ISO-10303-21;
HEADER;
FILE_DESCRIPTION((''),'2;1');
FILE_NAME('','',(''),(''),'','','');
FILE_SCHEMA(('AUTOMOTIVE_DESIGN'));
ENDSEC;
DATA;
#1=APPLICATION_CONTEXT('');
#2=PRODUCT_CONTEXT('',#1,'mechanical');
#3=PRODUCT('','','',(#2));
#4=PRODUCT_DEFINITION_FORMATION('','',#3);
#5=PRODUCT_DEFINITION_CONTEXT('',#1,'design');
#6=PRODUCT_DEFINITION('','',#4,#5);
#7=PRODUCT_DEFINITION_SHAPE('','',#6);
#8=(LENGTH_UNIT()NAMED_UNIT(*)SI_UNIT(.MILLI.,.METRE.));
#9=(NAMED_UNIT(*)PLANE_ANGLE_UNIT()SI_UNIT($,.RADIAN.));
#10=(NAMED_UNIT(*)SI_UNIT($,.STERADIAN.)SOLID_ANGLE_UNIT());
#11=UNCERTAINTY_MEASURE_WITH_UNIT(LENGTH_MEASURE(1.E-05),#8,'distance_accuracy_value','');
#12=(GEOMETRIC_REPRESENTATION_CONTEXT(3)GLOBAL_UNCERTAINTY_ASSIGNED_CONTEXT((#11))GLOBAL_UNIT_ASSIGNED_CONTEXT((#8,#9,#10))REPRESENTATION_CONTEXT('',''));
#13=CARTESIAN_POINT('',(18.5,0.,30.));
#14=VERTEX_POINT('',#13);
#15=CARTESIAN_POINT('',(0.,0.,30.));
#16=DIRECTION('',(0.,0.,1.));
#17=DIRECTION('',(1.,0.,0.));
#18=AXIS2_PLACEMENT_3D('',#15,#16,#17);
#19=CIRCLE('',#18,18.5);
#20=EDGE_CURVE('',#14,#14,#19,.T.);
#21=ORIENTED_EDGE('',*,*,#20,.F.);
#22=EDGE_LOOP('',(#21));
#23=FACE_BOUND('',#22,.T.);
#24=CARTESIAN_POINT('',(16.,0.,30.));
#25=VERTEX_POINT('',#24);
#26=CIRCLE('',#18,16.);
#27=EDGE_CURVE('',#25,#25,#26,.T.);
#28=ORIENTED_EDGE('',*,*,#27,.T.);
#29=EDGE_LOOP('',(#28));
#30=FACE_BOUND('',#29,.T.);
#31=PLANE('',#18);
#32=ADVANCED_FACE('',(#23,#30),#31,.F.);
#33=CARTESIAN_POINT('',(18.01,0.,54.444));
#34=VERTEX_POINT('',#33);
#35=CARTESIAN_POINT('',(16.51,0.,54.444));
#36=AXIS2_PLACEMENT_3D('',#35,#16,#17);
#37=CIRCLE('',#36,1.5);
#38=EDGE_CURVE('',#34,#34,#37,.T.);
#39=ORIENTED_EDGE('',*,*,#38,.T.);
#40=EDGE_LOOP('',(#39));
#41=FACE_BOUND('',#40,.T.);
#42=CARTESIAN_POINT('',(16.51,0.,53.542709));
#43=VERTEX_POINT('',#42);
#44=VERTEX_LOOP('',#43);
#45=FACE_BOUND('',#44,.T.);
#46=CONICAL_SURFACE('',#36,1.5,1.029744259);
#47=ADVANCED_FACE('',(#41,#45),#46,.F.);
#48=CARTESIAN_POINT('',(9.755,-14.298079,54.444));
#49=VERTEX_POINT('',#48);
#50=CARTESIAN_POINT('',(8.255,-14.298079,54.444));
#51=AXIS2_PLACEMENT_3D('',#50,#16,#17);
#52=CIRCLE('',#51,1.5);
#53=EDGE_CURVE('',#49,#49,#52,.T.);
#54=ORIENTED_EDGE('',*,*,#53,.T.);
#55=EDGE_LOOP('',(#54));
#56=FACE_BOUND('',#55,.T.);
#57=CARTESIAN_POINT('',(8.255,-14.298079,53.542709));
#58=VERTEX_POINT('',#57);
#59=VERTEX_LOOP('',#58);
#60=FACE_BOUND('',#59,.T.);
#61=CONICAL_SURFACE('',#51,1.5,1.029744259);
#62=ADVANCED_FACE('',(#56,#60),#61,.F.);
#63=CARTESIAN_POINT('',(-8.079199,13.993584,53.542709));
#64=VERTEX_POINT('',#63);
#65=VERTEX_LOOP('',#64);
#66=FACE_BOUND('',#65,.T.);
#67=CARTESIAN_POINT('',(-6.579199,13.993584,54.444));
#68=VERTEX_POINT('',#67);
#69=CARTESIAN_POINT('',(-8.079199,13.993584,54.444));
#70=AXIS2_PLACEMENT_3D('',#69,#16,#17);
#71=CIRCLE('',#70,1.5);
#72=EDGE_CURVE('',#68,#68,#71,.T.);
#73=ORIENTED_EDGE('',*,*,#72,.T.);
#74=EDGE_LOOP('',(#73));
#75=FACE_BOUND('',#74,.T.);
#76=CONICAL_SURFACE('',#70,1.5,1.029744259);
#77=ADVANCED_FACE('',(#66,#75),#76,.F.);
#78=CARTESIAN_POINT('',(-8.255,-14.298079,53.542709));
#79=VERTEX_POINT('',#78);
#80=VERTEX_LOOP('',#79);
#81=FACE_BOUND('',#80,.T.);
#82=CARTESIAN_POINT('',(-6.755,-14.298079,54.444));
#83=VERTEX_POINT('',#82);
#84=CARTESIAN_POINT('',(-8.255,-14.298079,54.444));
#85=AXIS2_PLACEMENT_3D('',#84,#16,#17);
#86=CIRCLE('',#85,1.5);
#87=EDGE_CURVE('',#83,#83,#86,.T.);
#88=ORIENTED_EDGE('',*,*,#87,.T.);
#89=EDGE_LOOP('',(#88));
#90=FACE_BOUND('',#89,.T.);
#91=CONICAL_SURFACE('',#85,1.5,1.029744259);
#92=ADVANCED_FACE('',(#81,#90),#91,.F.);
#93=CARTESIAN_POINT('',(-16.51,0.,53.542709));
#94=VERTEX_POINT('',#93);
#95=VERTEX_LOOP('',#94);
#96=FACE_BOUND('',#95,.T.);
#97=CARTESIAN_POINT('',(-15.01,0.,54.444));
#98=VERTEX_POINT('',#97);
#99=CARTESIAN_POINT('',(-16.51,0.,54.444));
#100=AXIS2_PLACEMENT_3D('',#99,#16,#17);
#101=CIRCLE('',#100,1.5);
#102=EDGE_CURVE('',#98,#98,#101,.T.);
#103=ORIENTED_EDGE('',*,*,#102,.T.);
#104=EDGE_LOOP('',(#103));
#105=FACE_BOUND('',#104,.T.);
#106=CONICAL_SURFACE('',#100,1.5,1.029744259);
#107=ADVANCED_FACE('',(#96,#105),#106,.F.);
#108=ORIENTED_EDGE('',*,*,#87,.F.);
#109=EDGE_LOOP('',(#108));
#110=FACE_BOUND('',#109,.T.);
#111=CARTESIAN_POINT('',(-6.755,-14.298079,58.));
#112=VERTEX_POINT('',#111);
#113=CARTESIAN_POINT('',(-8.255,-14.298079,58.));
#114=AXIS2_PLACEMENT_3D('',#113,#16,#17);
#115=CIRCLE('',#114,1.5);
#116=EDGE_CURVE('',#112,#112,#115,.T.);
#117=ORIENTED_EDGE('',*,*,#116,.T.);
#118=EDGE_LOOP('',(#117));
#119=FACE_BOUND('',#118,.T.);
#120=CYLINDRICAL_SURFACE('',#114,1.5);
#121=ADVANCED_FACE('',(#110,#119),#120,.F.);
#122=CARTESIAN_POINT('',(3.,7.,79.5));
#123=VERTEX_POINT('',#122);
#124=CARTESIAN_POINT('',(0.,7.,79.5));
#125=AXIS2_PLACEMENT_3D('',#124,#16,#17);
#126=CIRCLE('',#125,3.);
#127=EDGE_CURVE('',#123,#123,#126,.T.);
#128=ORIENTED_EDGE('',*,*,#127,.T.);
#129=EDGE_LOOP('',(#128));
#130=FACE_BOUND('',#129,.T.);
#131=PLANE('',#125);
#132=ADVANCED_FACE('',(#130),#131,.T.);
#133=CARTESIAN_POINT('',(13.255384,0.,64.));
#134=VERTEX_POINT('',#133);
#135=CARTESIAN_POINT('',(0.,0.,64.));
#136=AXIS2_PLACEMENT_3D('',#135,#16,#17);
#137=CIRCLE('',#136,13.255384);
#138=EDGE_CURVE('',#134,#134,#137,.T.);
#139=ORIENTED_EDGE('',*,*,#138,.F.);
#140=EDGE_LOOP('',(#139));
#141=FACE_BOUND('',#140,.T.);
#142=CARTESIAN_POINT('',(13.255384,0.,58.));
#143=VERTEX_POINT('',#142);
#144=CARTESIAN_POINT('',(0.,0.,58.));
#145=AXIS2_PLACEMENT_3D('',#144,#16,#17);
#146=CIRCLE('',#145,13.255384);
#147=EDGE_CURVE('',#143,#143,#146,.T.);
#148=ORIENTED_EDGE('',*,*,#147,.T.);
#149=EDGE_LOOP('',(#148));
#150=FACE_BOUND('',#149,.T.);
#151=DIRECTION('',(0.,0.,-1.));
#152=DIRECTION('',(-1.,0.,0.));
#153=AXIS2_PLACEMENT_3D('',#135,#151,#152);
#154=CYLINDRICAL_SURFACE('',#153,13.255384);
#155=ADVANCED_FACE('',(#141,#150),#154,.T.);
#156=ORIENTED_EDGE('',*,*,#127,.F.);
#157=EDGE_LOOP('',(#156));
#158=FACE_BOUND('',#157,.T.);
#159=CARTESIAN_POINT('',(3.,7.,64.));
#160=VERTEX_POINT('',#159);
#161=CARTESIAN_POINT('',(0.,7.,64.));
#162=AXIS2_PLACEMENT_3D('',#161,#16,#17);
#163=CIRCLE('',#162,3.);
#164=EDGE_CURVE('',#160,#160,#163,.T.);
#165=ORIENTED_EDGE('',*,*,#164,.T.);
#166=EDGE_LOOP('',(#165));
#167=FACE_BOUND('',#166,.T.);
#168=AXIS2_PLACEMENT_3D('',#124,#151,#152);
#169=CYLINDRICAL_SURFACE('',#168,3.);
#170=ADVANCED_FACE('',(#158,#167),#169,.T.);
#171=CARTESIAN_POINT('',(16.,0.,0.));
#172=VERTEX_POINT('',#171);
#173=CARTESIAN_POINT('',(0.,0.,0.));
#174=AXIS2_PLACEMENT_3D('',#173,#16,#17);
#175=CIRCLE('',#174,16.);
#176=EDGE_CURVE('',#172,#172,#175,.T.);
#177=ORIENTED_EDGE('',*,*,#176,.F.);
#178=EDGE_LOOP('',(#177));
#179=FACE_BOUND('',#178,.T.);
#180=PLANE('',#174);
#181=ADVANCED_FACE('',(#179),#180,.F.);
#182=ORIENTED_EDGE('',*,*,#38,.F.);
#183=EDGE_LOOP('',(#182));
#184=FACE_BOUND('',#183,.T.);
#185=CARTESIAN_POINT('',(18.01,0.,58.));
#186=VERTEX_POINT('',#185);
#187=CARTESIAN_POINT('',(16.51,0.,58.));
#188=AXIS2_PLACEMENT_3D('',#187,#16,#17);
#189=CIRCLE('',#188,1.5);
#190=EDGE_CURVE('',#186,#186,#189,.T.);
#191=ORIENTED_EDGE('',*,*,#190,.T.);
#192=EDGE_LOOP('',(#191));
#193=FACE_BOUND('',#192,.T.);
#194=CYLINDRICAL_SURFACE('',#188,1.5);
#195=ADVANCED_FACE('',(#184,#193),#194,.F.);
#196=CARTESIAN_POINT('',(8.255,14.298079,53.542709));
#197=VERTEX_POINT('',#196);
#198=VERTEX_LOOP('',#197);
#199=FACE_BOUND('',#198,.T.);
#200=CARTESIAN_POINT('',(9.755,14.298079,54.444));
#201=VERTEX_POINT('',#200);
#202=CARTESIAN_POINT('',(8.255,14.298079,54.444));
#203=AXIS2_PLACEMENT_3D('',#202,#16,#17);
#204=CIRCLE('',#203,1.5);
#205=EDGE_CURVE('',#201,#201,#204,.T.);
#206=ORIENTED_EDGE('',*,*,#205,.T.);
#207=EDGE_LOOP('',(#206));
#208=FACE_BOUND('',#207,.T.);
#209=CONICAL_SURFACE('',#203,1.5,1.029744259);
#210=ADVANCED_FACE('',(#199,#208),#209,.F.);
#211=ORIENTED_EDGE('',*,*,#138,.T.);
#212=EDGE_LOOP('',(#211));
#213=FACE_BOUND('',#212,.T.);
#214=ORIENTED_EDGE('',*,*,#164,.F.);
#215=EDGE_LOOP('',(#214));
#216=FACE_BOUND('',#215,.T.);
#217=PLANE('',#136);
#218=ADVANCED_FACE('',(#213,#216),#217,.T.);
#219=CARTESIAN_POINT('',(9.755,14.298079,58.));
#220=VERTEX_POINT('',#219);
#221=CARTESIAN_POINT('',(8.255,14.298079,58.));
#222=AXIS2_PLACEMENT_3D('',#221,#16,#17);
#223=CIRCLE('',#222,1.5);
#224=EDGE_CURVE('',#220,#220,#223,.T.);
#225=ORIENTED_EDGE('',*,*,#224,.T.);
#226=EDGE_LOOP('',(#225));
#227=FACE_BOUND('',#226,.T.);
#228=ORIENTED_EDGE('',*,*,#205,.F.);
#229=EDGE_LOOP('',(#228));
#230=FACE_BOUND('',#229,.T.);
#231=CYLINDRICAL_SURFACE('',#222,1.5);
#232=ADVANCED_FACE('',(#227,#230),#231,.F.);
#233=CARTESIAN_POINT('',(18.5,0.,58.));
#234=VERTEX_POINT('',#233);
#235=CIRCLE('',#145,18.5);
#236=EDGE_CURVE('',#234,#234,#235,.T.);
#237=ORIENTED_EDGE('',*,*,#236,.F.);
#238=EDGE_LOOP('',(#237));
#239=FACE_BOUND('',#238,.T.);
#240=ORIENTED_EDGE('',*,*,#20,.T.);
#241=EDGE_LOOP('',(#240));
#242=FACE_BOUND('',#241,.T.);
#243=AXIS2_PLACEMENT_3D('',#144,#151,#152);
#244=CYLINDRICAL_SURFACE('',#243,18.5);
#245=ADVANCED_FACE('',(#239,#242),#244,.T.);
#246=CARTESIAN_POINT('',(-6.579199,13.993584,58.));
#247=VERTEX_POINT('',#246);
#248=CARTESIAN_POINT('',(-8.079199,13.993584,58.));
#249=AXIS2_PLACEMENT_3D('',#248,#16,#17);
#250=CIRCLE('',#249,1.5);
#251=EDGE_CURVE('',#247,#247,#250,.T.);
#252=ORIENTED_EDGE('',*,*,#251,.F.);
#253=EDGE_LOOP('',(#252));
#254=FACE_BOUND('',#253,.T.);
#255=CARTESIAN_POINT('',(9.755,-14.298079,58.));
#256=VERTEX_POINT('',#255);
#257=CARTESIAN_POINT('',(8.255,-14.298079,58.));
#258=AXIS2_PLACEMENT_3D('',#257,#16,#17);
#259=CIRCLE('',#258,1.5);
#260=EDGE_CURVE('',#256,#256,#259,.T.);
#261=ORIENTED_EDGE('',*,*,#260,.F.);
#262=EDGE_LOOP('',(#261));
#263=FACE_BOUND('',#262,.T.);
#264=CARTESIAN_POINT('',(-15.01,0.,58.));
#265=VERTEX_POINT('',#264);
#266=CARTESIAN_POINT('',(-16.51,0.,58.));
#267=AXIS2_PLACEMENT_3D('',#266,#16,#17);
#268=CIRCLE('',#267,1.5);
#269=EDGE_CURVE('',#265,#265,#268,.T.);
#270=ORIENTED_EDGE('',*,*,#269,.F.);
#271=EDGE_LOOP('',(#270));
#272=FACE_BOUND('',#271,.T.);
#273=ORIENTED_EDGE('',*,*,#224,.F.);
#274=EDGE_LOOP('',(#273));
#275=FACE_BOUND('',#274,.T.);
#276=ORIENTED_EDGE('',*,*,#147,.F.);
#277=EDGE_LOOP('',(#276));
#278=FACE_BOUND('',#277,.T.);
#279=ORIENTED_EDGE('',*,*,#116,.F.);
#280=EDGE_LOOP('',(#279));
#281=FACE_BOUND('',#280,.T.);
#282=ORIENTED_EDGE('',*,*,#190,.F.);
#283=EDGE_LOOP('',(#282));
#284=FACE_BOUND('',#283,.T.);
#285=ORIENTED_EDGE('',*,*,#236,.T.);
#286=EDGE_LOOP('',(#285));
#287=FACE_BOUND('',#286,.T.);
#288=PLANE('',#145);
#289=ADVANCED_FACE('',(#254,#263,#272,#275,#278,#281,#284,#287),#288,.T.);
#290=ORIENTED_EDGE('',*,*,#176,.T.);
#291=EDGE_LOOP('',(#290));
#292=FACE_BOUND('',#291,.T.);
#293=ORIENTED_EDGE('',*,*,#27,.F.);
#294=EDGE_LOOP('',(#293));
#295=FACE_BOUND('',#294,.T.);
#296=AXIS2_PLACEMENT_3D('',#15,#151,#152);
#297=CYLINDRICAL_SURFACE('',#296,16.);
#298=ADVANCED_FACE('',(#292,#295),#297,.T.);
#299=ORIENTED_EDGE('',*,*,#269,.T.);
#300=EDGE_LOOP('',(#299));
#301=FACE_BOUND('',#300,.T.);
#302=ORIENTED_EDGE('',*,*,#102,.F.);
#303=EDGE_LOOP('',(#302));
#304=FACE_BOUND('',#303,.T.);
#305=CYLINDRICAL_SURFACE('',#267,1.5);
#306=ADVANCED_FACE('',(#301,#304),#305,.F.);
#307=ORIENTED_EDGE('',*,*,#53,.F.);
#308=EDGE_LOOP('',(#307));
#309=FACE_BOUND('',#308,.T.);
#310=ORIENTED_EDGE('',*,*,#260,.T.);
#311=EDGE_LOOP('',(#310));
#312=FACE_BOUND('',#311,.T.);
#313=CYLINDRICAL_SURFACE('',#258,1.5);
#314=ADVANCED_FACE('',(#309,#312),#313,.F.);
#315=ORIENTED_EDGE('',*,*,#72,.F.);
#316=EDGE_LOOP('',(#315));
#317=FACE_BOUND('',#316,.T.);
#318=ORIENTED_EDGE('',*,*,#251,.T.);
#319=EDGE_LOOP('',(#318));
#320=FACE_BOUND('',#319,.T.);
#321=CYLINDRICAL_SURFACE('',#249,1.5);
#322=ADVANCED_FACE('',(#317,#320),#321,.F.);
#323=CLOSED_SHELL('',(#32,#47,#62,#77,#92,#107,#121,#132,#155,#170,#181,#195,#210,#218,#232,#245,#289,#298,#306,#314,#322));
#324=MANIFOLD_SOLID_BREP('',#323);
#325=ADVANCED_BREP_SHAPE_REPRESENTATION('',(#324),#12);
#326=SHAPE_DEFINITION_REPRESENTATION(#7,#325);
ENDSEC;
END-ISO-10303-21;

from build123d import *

# Parameters (mm, degrees)
SKETCH1_R                    = 16
BOSS_EXTRUDE1_DEPTH          = 30
SKETCH2_R                    = 18.5
BOSS_EXTRUDE2_DEPTH          = 28
SKETCH3_R                    = 13.255383993
BOSS_EXTRUDE3_DEPTH          = 6
SKETCH4_R                    = 3
BOSS_EXTRUDE4_DEPTH          = 15.5
F_3_0_3_DIAMETER_HOLE2_D     = 3
F_3_0_3_DIAMETER_HOLE2_DEPTH = 3.556
F_3_0_3_DIAMETER_HOLE2_TIP   = 0.901290929
F_3_0_3_DIAMETER_HOLE1_D     = 3
F_3_0_3_DIAMETER_HOLE1_DEPTH = 3.499993
F_3_0_3_DIAMETER_HOLE1_TIP   = 0.901290929


with BuildPart() as part:
    # Sketch1 → Boss-Extrude1 (new body)
    with BuildSketch(Plane.XY):
        Circle(SKETCH1_R)
    extrude(amount=BOSS_EXTRUDE1_DEPTH)

    # Sketch2 → Boss-Extrude2 (add)
    with BuildSketch(Plane.XY.offset(30)):
        Circle(SKETCH2_R)
    extrude(amount=BOSS_EXTRUDE2_DEPTH)

    # Sketch3 → Boss-Extrude3 (add)
    with BuildSketch(Plane.XY.offset(58)):
        Circle(SKETCH3_R)
    extrude(amount=BOSS_EXTRUDE3_DEPTH)

    # Sketch4 → Boss-Extrude4 (add)
    with BuildSketch(Plane.XY.offset(64)):
        with Locations((0, 7)):
            Circle(SKETCH4_R)
    extrude(amount=BOSS_EXTRUDE4_DEPTH)

    # Ø3.0 (3) Diameter Hole2
    with Locations(Plane.XY.offset(58)):
        with Locations((-8.079199421, 13.993583881), (-16.51, 0), (8.255, -14.298079416), (-8.255, -14.298079416), (8.255, 14.298079416), (16.51, 0)):
            Hole(F_3_0_3_DIAMETER_HOLE2_D / 2, depth=F_3_0_3_DIAMETER_HOLE2_DEPTH)
            with Locations((0, 0, -(F_3_0_3_DIAMETER_HOLE2_DEPTH + F_3_0_3_DIAMETER_HOLE2_TIP / 2))):  # 118° drill point
                Cone(0, F_3_0_3_DIAMETER_HOLE2_D / 2, F_3_0_3_DIAMETER_HOLE2_TIP, mode=Mode.SUBTRACT)

    # Ø3.0 (3) Diameter Hole1
    with Locations(Plane.XY.offset(58)):
        with Locations((-16.51, 0), (8.255, -14.298079416), (16.51, 0), (8.255, 14.298079416)):
            Hole(F_3_0_3_DIAMETER_HOLE1_D / 2, depth=F_3_0_3_DIAMETER_HOLE1_DEPTH)
            with Locations((0, 0, -(F_3_0_3_DIAMETER_HOLE1_DEPTH + F_3_0_3_DIAMETER_HOLE1_TIP / 2))):  # 118° drill point
                Cone(0, F_3_0_3_DIAMETER_HOLE1_D / 2, F_3_0_3_DIAMETER_HOLE1_TIP, mode=Mode.SUBTRACT)


solid = part.part
